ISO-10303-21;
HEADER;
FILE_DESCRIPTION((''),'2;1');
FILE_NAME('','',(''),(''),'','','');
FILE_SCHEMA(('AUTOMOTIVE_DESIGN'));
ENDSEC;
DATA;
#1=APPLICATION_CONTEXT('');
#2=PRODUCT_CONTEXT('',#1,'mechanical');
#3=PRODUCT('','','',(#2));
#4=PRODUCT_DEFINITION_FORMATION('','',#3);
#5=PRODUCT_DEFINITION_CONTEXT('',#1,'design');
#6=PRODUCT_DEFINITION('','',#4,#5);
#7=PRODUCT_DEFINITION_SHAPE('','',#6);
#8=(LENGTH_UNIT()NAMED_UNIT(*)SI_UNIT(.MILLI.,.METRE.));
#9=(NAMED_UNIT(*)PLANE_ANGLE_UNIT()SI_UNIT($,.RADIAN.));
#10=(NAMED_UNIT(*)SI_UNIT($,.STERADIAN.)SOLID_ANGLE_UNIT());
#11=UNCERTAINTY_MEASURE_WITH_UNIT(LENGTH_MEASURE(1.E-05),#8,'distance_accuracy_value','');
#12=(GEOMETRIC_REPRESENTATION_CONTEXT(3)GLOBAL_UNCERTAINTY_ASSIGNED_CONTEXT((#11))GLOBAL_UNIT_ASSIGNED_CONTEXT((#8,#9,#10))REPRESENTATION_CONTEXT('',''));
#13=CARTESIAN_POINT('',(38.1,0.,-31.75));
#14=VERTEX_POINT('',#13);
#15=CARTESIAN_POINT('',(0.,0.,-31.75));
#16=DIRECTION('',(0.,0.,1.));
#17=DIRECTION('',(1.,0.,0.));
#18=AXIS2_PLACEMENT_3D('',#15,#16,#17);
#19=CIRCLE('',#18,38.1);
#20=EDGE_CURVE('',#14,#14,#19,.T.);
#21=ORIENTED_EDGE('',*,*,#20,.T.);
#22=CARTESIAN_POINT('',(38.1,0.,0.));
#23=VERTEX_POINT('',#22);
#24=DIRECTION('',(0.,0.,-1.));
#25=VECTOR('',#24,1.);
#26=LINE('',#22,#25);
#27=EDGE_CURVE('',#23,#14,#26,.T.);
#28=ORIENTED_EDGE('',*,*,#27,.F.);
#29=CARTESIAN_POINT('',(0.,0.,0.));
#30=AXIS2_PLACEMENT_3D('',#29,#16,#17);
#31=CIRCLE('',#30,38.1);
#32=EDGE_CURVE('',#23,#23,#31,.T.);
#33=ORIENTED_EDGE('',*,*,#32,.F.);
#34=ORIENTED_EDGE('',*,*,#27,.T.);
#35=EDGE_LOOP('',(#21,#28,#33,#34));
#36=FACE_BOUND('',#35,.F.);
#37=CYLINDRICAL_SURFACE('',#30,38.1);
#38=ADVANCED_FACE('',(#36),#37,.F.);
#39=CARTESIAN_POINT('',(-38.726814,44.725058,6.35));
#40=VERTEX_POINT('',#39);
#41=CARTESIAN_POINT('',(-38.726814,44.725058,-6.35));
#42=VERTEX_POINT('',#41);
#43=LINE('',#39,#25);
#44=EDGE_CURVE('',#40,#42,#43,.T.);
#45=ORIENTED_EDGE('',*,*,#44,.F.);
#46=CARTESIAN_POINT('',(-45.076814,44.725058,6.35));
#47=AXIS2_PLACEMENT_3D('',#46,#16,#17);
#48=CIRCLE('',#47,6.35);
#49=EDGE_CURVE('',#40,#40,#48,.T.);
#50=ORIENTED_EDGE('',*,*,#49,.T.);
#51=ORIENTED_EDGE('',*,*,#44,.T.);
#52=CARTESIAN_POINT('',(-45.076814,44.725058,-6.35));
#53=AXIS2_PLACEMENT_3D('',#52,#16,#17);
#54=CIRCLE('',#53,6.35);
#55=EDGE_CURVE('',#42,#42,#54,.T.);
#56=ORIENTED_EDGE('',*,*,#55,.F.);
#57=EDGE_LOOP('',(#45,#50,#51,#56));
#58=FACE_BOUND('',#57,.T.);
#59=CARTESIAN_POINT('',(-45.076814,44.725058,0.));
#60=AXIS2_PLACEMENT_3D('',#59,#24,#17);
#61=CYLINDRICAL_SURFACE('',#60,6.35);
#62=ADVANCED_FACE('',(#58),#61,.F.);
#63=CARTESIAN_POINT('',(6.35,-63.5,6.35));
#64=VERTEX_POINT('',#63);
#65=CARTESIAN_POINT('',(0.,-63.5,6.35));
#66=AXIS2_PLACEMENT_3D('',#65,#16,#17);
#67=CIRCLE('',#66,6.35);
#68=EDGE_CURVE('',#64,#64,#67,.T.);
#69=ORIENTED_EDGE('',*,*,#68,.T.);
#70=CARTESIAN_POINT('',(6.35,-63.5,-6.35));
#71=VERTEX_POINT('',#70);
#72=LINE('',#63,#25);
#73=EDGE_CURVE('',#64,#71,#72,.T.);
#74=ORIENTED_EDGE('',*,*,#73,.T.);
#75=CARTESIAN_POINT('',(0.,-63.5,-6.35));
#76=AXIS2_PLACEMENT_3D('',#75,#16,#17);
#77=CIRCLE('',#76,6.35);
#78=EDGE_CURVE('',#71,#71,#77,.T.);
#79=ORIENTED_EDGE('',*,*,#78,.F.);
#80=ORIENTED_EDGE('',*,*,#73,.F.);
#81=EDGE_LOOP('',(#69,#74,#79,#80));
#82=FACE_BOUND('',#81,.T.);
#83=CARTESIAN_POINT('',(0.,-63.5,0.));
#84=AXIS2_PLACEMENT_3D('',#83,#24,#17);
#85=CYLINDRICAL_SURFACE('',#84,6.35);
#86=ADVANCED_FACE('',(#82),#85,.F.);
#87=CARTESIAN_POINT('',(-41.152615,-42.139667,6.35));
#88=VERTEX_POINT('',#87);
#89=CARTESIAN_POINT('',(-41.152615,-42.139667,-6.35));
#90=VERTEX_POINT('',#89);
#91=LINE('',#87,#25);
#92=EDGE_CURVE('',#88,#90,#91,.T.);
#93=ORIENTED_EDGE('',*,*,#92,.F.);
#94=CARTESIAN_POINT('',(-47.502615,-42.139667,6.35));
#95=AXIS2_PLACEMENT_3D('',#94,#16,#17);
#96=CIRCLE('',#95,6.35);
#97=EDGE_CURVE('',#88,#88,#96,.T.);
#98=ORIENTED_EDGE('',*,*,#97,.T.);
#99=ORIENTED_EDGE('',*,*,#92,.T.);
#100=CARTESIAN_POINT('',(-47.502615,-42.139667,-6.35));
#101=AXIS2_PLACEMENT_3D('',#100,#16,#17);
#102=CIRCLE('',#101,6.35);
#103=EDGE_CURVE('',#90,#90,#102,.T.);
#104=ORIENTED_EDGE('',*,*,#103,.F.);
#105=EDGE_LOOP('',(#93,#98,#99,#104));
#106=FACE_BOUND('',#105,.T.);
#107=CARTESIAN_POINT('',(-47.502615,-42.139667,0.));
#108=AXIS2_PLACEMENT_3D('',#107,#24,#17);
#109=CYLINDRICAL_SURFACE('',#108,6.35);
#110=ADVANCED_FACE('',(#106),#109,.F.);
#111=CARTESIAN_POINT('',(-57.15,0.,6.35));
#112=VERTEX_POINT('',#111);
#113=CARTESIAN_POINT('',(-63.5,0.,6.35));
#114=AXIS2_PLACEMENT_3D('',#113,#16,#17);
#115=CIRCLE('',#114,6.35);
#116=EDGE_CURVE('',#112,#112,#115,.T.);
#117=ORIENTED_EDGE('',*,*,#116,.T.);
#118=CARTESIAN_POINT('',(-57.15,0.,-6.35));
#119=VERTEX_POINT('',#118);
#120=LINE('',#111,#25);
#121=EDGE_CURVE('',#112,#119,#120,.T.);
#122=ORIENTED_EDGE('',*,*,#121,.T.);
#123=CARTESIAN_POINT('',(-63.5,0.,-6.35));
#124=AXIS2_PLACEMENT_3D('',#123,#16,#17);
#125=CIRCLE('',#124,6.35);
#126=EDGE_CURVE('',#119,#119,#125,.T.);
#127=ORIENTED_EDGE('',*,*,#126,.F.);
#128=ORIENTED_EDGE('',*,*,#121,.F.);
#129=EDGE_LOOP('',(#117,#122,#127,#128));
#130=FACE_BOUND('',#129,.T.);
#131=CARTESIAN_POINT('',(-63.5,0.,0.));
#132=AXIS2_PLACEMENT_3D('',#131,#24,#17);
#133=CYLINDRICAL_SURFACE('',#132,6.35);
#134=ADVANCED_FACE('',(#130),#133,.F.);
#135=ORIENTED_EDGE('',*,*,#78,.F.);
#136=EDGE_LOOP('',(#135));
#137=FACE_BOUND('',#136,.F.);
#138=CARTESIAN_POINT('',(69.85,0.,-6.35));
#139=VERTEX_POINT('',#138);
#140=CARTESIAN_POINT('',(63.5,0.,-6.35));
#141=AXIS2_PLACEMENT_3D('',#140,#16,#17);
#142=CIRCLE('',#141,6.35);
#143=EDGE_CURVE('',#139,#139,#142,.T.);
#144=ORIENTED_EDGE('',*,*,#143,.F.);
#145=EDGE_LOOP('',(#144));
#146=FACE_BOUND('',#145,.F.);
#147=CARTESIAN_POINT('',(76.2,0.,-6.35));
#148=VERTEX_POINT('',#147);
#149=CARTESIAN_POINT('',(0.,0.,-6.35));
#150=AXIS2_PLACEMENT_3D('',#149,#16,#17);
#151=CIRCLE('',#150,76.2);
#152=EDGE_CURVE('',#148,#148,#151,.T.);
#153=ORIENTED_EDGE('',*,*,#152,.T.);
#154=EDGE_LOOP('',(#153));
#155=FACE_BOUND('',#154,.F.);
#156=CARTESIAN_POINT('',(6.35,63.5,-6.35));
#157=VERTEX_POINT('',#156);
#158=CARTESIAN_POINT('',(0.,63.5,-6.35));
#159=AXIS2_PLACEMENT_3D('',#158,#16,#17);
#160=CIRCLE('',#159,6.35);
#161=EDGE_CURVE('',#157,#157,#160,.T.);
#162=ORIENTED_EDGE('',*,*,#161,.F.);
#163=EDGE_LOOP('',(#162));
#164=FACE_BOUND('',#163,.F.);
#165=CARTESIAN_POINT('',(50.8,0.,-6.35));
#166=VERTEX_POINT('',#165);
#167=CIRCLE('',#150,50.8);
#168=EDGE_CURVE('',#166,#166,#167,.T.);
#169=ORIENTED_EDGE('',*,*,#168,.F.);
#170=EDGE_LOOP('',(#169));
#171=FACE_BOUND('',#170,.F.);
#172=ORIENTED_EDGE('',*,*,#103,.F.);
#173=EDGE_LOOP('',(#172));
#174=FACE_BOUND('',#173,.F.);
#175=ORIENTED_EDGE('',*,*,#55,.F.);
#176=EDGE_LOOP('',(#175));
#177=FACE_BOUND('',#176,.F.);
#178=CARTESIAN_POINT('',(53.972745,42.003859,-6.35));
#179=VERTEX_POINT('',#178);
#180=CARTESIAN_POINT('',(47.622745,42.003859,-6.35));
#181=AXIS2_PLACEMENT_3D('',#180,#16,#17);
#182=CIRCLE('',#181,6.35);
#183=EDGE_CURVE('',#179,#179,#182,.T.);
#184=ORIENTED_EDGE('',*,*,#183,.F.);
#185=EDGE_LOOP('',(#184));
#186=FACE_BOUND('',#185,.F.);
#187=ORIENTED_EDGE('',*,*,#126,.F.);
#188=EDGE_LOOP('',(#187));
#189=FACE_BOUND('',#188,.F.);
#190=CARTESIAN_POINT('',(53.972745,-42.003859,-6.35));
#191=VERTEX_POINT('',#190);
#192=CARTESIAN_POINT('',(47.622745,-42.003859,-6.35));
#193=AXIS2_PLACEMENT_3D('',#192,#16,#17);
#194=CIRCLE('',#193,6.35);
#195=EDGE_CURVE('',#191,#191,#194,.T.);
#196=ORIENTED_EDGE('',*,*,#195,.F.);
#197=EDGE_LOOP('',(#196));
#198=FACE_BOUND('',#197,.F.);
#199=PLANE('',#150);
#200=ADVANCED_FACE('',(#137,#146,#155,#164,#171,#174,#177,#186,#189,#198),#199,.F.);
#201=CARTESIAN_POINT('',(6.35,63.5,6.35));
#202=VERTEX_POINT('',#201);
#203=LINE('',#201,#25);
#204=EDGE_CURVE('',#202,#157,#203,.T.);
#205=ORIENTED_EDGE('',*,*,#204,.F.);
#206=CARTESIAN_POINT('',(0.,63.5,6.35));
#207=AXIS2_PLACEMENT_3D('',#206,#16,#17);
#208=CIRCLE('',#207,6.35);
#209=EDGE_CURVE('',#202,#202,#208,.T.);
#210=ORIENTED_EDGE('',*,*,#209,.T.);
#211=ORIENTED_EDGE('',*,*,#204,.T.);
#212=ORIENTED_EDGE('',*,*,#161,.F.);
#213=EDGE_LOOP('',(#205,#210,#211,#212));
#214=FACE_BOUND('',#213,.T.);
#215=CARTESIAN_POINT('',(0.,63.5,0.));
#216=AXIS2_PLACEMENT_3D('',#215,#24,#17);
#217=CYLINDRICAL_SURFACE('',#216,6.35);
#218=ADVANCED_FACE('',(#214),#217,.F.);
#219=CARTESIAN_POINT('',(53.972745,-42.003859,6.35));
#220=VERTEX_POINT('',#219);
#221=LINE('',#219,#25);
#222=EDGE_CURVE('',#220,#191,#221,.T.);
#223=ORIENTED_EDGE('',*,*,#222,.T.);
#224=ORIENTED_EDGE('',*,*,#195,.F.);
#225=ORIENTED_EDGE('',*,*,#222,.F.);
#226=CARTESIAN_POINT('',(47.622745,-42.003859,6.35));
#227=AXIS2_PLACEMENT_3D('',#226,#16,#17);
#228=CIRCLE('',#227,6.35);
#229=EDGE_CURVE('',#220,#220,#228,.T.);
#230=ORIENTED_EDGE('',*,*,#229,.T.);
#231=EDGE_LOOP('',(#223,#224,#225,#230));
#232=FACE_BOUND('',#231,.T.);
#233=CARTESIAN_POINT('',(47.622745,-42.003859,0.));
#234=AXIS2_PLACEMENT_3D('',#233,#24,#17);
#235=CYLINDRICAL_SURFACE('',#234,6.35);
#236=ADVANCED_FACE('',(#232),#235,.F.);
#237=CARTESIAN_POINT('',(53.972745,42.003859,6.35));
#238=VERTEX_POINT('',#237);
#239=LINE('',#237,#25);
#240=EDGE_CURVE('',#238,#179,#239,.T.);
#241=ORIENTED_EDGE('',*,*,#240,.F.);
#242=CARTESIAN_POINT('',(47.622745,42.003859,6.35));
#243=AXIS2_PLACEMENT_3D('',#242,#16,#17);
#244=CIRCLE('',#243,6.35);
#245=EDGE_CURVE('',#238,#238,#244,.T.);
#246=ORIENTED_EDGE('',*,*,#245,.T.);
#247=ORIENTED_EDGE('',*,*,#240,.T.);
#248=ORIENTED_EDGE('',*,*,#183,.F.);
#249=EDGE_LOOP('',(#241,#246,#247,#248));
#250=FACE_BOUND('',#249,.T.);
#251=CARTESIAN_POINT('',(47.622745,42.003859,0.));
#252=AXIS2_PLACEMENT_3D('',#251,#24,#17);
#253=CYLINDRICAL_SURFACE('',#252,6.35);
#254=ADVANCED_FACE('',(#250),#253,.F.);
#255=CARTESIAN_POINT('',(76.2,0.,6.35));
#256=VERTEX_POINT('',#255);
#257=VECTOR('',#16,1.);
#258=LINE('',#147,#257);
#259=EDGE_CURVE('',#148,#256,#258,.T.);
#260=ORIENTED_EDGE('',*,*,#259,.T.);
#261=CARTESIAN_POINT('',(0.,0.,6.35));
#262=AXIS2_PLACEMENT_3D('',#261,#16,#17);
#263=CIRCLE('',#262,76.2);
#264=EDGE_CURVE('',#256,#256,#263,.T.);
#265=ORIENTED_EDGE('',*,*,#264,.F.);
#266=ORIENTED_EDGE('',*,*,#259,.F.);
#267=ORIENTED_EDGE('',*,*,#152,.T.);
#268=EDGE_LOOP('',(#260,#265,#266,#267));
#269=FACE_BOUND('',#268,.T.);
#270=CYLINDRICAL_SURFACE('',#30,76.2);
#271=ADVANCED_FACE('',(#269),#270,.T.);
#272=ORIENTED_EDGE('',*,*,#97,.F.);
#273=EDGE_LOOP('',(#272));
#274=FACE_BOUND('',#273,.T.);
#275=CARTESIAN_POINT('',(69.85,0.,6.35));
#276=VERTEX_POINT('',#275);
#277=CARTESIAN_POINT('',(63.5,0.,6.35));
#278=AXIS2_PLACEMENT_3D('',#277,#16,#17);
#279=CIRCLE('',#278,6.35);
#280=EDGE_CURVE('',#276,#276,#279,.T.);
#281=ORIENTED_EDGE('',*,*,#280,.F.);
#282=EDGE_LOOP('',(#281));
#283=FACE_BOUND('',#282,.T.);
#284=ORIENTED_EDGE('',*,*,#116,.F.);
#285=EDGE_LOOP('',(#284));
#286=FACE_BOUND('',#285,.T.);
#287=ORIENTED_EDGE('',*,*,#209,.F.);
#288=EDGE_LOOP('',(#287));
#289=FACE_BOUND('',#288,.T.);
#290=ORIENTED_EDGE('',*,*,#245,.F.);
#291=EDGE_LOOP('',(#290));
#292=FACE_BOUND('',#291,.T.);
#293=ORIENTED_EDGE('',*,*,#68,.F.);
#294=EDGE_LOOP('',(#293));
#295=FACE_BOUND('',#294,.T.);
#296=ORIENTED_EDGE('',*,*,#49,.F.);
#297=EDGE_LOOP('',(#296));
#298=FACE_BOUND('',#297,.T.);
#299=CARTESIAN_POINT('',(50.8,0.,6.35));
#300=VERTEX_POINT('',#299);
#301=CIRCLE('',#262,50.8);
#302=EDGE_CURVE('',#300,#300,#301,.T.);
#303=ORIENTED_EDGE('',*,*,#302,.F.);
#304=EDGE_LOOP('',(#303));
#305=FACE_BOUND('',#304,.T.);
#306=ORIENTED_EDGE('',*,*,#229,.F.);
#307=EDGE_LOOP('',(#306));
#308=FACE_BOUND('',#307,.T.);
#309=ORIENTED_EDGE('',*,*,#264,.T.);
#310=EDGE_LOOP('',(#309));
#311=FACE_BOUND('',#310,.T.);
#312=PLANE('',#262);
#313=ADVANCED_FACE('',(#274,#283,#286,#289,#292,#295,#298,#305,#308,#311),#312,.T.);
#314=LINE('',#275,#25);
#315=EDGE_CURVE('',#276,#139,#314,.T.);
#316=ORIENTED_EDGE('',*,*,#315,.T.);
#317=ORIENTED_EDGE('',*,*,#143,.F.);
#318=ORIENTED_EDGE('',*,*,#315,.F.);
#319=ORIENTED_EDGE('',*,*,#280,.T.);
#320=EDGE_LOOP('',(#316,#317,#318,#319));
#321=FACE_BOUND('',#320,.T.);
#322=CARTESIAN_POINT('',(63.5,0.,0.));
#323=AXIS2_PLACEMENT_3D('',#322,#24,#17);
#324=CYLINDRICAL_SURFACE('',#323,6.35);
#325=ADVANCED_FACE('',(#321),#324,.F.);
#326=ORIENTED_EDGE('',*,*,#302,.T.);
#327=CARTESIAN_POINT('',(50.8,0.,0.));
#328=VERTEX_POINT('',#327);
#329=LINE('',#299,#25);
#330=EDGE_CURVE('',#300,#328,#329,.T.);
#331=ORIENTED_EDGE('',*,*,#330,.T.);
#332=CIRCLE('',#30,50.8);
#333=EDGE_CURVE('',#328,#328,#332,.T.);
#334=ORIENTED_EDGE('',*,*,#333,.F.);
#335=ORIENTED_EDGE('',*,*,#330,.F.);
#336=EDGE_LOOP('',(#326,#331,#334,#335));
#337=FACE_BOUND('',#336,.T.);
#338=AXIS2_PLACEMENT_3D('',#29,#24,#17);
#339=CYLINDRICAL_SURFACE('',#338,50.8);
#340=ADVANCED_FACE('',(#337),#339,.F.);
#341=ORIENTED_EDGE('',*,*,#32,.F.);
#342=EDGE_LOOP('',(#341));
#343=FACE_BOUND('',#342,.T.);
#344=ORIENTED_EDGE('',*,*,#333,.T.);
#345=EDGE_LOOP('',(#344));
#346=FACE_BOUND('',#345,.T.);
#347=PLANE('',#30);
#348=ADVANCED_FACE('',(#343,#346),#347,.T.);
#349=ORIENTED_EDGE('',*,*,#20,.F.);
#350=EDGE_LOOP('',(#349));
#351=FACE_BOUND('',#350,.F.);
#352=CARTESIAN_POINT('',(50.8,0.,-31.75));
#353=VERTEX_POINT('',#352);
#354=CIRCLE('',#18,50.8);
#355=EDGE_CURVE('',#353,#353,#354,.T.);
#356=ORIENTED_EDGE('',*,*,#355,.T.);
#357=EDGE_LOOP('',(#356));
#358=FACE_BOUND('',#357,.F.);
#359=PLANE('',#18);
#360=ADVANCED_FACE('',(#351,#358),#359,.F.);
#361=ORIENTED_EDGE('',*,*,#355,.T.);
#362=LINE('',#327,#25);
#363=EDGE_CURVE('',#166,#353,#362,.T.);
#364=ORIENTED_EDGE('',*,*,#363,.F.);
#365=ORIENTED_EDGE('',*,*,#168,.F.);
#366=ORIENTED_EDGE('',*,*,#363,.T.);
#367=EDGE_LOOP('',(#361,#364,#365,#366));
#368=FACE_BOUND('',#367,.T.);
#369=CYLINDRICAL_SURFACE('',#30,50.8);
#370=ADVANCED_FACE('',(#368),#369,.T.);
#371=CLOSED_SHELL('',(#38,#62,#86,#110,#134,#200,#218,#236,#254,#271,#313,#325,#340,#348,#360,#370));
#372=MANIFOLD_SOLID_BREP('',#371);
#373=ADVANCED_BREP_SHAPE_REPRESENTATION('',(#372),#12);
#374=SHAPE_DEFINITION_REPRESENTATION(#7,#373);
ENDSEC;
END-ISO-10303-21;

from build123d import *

# Parameters (mm, degrees)
F0_R     = 50.8
F0_R_2   = 38.1
F1_DEPTH = 31.75
F0_R_3   = 76.2
F0_R_4   = 6.35
F2_DEPTH = 6.35


with BuildPart() as f1:
    # F0 (on Top) → F1 (new body)
    with BuildSketch(Plane.XY):
        Circle(F0_R)
        Circle(F0_R_2, mode=Mode.SUBTRACT)
    extrude(amount=-F1_DEPTH)

    # F0 (on Top) → F2 (join, symmetric)
    with BuildSketch(Plane.XY):
        Circle(F0_R_3)
        with Locations((-47.502615, -42.139667)):
            Circle(F0_R_4, mode=Mode.SUBTRACT)
        with Locations((0, -63.5)):
            Circle(F0_R_4, mode=Mode.SUBTRACT)
        with Locations((47.622745, -42.003859)):
            Circle(F0_R_4, mode=Mode.SUBTRACT)
        with Locations((-63.5, 0)):
            Circle(F0_R_4, mode=Mode.SUBTRACT)
        with Locations((-45.076814, 44.725058)):
            Circle(F0_R_4, mode=Mode.SUBTRACT)
        Circle(F0_R, mode=Mode.SUBTRACT)
        with Locations((63.5, 0)):
            Circle(F0_R_4, mode=Mode.SUBTRACT)
        with Locations((0, 63.5)):
            Circle(F0_R_4, mode=Mode.SUBTRACT)
        with Locations((47.622745, 42.003859)):
            Circle(F0_R_4, mode=Mode.SUBTRACT)
    extrude(amount=F2_DEPTH, both=True)


solid = f1.part
